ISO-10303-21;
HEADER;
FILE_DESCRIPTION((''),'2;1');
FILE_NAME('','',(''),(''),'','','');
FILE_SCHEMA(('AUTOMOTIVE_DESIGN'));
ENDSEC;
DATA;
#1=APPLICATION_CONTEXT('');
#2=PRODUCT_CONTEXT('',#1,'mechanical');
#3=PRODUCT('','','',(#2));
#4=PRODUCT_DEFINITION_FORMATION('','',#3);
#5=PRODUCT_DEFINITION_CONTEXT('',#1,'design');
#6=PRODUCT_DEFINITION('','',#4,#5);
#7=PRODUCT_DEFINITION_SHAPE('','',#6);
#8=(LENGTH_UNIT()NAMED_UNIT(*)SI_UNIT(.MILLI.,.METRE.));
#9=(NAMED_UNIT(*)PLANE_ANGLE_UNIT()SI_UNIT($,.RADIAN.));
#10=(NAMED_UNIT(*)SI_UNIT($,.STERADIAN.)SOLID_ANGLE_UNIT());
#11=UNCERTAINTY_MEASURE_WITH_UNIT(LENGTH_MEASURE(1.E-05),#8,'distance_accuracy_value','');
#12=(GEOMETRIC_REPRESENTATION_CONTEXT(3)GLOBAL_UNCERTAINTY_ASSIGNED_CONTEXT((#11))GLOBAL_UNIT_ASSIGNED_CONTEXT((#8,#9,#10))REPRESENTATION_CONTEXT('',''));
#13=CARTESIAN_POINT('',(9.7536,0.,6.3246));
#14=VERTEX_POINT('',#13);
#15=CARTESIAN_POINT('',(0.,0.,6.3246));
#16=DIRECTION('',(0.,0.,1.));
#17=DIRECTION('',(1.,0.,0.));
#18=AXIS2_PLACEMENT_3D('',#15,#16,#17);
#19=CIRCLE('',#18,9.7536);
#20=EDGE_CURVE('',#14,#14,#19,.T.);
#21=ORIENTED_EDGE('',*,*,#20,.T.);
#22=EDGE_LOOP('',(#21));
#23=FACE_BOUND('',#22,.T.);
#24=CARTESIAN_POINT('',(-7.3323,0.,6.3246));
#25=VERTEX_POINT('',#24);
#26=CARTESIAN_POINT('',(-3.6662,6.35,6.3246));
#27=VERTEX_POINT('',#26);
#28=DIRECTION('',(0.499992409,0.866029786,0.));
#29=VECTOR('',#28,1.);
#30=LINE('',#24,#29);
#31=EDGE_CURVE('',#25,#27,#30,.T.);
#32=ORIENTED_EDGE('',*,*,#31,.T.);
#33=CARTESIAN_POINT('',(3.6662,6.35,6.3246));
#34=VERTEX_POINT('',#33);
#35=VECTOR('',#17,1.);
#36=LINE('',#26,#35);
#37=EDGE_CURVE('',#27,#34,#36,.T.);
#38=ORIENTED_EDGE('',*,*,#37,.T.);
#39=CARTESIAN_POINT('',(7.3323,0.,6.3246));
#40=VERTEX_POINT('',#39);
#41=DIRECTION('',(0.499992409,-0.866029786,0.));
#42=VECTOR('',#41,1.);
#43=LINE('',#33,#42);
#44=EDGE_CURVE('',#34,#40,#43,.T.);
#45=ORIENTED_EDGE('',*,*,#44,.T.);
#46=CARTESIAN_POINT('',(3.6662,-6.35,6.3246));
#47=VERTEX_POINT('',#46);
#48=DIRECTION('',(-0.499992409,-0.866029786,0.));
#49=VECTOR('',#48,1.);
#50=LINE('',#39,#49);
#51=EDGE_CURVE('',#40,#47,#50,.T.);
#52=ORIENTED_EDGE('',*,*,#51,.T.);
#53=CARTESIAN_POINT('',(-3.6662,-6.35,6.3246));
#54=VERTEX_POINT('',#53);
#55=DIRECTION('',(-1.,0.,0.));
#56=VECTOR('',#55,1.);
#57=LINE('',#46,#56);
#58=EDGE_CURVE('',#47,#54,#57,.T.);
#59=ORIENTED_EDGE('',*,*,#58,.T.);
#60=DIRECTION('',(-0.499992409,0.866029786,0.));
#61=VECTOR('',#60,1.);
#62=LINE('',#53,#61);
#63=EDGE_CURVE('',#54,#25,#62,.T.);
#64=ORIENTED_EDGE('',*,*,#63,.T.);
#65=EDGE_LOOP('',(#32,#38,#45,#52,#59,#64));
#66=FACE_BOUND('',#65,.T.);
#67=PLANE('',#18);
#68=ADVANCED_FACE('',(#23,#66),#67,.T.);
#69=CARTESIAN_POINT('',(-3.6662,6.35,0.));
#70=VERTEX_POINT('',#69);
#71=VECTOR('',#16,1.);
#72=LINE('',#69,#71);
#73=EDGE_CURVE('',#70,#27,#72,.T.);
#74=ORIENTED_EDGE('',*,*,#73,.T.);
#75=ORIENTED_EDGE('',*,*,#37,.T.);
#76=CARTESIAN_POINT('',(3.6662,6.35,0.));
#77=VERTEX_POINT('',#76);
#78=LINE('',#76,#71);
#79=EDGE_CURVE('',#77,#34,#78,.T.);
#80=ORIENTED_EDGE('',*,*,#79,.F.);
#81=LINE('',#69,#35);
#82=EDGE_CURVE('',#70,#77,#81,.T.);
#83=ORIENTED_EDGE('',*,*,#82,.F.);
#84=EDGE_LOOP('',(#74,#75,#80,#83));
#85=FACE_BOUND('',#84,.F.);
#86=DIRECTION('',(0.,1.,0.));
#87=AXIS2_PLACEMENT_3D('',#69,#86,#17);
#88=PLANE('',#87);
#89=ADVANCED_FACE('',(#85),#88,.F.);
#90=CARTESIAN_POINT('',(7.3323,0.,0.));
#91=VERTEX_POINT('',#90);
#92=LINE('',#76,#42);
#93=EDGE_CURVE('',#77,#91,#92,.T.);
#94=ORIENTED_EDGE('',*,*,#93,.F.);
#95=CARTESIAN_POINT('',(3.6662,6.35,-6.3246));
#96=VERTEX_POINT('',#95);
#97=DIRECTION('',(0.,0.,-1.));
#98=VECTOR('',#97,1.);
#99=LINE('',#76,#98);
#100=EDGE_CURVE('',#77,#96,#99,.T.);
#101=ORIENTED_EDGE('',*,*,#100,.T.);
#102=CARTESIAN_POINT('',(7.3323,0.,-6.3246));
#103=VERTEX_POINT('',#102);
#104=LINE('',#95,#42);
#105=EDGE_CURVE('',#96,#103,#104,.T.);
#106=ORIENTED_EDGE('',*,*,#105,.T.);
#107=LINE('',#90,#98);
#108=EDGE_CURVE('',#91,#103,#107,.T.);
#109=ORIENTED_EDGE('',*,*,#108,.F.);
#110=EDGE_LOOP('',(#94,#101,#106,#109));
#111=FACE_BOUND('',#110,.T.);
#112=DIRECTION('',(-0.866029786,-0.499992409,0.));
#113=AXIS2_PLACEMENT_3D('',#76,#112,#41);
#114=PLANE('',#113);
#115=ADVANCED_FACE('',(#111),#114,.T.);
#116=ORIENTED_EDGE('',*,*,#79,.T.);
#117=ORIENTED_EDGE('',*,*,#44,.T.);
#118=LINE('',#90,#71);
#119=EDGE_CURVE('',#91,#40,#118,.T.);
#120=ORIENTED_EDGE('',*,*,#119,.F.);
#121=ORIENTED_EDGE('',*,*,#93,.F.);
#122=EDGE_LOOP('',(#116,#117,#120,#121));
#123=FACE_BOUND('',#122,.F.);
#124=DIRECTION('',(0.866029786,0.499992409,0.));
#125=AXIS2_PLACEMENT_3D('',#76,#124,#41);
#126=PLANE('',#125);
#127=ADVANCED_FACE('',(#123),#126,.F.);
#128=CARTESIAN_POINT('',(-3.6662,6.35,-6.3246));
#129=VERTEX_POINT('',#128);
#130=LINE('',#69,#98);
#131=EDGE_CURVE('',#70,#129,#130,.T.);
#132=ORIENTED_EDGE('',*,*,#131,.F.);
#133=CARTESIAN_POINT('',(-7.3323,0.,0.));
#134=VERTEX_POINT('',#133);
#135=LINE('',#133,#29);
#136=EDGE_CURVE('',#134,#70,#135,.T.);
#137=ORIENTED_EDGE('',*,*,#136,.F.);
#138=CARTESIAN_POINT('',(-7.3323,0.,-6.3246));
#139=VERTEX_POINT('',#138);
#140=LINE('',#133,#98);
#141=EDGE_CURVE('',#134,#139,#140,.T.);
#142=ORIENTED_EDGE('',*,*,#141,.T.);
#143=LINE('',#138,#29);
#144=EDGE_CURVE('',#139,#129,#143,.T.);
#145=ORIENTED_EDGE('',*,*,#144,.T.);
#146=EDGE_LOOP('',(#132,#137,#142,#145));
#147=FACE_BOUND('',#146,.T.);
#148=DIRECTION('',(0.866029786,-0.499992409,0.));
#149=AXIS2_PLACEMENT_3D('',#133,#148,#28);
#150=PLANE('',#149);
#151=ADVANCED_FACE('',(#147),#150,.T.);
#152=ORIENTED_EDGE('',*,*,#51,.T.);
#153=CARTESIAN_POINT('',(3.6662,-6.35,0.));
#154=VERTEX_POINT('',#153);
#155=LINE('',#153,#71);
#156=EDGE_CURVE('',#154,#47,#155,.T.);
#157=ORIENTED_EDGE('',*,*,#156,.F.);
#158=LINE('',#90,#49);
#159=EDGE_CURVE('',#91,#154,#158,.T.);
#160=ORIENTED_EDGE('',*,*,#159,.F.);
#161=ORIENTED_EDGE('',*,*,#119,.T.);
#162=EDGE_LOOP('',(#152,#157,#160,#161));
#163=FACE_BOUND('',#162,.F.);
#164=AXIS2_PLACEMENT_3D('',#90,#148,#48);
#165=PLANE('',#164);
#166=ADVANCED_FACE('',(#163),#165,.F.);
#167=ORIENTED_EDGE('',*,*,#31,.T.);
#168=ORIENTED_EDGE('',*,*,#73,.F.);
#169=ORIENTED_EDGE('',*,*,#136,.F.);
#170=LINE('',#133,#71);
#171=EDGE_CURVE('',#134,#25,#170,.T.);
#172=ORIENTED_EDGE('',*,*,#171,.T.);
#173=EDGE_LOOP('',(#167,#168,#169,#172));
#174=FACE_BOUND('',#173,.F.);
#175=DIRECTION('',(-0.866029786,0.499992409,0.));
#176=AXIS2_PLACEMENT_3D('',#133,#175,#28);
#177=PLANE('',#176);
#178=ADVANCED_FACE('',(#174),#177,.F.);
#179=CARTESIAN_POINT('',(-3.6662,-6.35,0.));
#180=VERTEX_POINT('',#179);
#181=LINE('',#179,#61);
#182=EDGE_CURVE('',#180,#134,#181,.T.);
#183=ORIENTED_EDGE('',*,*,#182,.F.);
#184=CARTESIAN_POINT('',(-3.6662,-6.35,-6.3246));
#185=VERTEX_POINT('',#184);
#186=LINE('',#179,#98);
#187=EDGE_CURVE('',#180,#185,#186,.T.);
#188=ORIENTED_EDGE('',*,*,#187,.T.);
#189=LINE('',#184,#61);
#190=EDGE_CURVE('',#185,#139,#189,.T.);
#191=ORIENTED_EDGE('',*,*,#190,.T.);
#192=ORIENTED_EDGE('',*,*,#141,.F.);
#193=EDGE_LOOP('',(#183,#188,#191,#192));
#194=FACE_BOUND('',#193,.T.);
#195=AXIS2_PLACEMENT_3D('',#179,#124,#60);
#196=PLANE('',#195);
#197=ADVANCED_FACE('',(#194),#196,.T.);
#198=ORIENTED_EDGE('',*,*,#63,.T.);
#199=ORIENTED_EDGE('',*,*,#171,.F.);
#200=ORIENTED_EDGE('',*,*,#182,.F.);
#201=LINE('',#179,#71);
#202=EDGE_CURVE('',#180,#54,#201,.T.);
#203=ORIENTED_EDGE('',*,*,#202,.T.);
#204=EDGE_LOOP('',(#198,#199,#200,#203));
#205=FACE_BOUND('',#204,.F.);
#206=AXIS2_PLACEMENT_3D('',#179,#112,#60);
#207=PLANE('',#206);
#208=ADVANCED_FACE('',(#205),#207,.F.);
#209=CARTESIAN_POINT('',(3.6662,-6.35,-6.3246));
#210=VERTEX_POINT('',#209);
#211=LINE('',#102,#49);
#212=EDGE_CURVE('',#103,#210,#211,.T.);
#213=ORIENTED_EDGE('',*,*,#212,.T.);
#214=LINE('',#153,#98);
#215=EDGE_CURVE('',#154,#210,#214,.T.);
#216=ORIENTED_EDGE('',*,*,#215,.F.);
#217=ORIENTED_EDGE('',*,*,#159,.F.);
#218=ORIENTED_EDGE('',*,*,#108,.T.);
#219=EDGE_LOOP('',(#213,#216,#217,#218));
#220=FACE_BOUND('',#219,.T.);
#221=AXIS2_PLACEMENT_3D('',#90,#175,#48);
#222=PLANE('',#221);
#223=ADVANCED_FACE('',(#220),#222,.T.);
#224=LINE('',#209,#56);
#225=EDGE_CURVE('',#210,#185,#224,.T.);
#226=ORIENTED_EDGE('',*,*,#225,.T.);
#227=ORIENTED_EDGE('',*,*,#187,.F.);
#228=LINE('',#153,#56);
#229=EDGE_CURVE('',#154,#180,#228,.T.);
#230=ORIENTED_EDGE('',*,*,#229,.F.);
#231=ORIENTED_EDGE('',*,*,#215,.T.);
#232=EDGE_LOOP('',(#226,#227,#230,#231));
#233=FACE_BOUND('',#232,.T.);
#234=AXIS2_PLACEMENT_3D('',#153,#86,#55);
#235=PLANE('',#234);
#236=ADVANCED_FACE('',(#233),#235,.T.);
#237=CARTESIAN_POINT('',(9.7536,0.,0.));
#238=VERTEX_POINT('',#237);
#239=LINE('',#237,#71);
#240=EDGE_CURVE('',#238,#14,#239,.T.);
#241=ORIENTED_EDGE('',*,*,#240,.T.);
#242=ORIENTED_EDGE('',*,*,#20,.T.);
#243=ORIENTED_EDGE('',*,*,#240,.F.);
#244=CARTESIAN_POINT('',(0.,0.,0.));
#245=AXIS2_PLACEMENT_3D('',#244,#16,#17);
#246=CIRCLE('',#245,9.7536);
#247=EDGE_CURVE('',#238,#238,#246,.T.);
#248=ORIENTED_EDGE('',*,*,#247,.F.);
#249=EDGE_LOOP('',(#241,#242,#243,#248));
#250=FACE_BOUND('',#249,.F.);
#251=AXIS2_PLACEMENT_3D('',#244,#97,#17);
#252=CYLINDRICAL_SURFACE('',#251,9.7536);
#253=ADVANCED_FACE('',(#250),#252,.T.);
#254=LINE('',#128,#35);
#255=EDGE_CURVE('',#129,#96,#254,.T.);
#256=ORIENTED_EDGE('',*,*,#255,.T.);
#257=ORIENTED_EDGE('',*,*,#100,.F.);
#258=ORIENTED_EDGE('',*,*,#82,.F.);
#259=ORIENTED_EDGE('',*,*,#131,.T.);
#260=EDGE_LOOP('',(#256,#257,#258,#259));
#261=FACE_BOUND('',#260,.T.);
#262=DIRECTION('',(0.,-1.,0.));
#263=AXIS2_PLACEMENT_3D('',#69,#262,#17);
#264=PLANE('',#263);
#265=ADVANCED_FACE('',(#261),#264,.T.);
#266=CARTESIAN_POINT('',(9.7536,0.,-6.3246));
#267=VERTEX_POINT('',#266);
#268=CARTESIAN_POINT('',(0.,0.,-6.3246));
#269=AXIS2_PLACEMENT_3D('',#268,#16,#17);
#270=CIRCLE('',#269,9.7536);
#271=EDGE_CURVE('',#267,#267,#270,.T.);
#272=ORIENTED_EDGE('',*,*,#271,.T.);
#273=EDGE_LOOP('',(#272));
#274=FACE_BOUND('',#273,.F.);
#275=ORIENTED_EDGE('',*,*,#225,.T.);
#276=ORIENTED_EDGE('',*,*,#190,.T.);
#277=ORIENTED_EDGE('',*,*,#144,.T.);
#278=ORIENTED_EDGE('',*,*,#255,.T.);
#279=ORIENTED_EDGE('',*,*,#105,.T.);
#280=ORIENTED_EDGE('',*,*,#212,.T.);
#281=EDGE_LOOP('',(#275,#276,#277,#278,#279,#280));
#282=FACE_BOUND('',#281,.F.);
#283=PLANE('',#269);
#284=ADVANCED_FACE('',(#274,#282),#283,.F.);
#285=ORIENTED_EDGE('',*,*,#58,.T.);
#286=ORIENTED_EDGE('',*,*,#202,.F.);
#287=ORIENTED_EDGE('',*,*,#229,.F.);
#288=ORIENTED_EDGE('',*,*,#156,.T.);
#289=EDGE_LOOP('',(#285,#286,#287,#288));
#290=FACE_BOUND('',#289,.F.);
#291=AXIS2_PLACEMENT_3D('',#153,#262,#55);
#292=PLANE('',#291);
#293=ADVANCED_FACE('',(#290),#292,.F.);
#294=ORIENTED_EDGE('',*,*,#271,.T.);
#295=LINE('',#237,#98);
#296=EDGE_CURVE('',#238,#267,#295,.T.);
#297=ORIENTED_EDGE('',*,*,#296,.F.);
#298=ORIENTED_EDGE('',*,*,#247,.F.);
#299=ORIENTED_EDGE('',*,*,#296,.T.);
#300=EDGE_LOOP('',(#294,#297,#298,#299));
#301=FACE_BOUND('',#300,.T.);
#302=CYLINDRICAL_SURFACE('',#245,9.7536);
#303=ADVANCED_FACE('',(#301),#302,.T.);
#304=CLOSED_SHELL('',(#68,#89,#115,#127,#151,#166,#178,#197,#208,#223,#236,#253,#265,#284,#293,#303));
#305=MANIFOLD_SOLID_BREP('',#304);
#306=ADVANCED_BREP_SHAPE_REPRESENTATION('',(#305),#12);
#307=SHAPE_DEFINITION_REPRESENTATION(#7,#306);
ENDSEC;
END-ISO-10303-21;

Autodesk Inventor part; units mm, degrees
ref_plane "YZ Plane" through (0, 0, 0) normal (1, 0, 0) x (0, 1, 0)
ref_plane "XZ Plane" through (0, 0, 0) normal (0, 1, 0) x (-1, 0, 0)
ref_plane "XY Plane" through (0, 0, 0) normal (0, 0, 1) x (1, 0, 0)
sketch "Sketch1" plane through (0, 0, 0) normal (0, 0, 1) x (1, 0, 0)
  circle A0 centre (0, 0) radius 9.7536
  line L0 (7.3323, 0) -> (3.6662, -6.35)
  line L1 (3.6662, -6.35) -> (-3.6662, -6.35)
  line L2 (-3.6662, -6.35) -> (-7.3323, 0)
  line L3 (-7.3323, 0) -> (-3.6662, 6.35)
  line L4 (-3.6662, 6.35) -> (3.6662, 6.35)
  line L5 (3.6662, 6.35) -> (7.3323, 0)
  dimension "d1" = 19.5072
  dimension "d2" = 12.7
extrude "Extrusion1" add sketch "Sketch1" along normal mid plane 12.6492
properties part number "0.498 Spacer 0.5 Hex"
